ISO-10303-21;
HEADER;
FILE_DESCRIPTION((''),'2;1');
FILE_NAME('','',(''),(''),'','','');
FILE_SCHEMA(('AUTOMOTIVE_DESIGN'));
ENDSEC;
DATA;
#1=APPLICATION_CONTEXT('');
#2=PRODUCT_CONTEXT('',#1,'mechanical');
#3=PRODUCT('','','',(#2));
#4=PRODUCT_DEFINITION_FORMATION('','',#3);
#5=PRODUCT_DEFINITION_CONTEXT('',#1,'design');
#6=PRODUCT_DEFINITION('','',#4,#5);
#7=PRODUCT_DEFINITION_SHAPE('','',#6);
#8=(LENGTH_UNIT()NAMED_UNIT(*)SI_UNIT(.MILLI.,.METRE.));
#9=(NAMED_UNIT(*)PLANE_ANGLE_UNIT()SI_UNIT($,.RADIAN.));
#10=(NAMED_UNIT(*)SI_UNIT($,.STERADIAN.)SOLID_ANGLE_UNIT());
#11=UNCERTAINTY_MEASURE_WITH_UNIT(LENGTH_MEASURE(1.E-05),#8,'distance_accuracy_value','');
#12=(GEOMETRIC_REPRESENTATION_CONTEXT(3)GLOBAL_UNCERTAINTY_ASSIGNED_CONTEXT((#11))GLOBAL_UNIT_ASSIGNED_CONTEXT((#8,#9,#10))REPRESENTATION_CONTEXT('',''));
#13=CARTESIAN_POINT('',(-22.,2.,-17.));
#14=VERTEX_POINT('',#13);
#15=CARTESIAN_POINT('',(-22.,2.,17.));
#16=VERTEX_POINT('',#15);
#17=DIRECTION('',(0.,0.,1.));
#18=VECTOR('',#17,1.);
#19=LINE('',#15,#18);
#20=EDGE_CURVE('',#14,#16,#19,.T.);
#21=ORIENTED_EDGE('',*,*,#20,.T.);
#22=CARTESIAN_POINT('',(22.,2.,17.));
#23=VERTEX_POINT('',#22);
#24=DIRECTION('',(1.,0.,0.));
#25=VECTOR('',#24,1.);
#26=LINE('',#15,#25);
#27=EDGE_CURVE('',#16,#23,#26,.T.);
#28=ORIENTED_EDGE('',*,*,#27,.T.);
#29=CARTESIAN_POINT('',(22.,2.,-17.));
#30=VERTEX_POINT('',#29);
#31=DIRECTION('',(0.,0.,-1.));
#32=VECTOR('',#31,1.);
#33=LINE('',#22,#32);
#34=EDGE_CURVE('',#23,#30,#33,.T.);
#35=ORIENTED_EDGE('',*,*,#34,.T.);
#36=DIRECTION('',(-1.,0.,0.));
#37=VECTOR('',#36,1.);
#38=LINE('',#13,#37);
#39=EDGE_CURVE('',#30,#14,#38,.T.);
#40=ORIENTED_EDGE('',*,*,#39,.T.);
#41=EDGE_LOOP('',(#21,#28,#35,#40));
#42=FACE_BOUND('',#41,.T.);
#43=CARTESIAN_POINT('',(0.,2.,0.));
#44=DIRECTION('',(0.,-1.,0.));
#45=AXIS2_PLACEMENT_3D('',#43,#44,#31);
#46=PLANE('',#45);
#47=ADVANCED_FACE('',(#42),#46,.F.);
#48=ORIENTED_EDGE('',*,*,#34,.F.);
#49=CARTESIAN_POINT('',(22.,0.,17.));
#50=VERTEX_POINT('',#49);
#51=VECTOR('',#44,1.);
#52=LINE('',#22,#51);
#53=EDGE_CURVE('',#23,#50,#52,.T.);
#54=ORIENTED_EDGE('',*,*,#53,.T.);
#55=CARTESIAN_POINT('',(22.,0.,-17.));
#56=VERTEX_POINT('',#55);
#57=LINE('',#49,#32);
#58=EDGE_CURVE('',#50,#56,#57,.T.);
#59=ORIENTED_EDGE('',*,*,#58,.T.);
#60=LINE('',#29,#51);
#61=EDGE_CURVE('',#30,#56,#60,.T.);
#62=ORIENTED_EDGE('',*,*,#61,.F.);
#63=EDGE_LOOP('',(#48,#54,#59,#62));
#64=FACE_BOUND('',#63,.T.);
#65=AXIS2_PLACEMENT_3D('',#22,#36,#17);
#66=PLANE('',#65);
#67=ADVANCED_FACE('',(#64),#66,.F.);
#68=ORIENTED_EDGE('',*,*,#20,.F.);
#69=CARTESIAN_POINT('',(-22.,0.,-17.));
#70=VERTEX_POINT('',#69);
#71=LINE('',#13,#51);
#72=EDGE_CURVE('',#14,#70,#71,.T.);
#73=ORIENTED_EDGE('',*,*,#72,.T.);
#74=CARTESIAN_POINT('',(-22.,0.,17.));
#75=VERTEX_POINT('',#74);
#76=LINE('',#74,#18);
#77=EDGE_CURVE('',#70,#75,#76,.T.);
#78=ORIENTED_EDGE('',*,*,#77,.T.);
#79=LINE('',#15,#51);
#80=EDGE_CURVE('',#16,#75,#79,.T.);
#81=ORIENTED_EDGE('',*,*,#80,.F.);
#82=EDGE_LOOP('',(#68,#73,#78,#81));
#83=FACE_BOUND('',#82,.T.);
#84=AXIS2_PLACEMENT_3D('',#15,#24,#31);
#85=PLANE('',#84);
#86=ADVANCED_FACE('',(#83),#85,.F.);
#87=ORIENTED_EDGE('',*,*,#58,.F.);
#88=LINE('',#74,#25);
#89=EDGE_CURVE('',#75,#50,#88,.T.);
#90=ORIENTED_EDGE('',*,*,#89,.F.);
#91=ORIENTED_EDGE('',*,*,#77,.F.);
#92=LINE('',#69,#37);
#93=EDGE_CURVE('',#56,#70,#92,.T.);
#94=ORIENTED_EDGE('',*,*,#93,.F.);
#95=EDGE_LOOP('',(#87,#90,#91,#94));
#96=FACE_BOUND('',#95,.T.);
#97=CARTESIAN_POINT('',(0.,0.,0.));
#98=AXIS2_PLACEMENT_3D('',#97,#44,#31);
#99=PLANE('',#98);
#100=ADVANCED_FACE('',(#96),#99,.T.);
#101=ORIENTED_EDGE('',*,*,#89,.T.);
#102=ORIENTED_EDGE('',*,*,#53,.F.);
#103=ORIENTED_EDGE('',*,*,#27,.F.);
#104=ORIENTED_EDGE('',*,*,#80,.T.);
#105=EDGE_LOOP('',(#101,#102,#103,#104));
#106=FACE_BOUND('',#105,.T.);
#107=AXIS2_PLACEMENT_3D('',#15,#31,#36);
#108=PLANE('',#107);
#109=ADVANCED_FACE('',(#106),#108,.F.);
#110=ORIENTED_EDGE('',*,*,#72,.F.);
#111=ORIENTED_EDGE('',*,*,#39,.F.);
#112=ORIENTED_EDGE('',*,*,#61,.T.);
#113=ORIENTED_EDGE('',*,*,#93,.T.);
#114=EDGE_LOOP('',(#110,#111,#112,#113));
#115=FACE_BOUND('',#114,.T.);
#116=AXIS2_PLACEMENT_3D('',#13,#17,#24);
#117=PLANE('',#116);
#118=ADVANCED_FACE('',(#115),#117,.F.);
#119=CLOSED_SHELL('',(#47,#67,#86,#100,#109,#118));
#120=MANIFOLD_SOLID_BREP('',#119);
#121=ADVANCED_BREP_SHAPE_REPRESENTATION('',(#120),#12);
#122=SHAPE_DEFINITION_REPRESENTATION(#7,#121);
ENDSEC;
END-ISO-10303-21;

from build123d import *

# Parameters (mm, degrees)
SKETCH_1_W      = 44
SKETCH_1_H      = 34
EXTRUDE_1_DEPTH = 2


with BuildPart() as part:
    # 草图1 → 凸台-拉伸1 (new body)
    with BuildSketch(Plane(origin=(0, 0, 0), x_dir=(1, 0, 0), z_dir=(0, 1, 0))):
        Rectangle(SKETCH_1_W, SKETCH_1_H)
    extrude(amount=EXTRUDE_1_DEPTH)


solid = part.part
